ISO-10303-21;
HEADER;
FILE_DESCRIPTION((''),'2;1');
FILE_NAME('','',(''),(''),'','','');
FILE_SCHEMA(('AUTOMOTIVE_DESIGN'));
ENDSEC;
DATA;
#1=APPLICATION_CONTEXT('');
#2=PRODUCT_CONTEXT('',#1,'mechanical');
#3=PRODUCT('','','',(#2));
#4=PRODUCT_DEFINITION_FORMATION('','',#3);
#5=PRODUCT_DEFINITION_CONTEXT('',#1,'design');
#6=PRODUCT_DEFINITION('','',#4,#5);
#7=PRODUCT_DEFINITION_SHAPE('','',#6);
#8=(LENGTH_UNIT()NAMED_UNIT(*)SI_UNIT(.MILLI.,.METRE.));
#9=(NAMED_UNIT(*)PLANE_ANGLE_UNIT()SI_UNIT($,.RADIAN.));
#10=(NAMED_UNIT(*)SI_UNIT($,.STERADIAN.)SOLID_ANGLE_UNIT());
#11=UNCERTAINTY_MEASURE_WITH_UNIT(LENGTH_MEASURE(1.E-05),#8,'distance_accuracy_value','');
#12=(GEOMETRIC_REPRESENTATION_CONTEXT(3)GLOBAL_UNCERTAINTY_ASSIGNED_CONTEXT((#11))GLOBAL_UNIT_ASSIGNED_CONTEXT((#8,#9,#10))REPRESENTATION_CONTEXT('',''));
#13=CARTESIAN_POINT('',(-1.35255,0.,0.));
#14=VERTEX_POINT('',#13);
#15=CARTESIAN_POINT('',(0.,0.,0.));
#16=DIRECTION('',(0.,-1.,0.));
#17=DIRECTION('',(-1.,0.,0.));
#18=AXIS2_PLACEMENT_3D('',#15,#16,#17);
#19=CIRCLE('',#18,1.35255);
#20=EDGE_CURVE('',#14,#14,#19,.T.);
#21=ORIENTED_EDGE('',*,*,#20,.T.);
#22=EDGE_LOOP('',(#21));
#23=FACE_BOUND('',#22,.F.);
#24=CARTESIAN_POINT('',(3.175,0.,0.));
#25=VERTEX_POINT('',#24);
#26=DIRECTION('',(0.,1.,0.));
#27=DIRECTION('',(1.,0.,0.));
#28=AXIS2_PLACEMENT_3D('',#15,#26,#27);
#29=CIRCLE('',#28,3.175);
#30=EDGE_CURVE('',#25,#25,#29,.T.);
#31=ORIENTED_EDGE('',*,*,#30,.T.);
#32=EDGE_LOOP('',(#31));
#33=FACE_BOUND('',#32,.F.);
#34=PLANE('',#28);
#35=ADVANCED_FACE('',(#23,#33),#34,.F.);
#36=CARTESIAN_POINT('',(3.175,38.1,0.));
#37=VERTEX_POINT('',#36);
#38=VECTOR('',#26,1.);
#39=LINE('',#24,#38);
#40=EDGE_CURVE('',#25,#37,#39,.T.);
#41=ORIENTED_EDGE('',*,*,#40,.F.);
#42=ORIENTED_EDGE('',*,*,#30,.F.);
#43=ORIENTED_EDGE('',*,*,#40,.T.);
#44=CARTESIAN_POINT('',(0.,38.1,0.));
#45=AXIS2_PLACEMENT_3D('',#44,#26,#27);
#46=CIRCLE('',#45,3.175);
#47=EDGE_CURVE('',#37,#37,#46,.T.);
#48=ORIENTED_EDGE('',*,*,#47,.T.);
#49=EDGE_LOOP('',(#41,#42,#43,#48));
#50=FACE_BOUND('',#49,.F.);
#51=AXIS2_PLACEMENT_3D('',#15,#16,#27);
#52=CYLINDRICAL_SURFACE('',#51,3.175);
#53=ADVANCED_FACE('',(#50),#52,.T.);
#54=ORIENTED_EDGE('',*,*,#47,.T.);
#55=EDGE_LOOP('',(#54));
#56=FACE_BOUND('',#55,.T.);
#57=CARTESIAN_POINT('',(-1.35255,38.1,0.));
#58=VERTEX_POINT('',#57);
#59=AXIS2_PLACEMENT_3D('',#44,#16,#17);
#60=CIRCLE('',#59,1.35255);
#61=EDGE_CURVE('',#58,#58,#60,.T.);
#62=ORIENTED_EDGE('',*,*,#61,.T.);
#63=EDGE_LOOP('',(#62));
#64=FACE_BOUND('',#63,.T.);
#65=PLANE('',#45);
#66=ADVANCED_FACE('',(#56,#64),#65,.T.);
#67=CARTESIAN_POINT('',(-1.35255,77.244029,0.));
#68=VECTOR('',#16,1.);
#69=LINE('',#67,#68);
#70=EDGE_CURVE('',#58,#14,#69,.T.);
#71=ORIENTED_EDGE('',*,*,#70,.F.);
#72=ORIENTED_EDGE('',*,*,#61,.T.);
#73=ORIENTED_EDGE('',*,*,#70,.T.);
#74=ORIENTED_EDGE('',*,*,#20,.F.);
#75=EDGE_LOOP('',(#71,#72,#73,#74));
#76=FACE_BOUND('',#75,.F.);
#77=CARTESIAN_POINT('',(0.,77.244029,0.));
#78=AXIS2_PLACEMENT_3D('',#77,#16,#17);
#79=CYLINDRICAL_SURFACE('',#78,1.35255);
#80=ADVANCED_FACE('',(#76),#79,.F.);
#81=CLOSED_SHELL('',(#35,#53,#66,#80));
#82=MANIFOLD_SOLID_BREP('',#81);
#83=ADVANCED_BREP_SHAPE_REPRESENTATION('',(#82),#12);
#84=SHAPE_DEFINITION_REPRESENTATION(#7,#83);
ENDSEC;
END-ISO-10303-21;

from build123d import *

# Parameters (mm, degrees)
SKETCH1_R                 = 3.175
BOSS_EXTRUDE1_DEPTH       = 38.1
TAP_DRILL_FOR_6_32_TAP1_D = 2.7051


with BuildPart() as part:
    # Sketch1 → Boss-Extrude1 (new body)
    with BuildSketch(Plane(origin=(0, 0, 0), x_dir=(1, 0, 0), z_dir=(0, 1, 0))):
        Circle(SKETCH1_R)
    extrude(amount=BOSS_EXTRUDE1_DEPTH)

    # Tap Drill for #6-32 Tap1 (through all)
    with Locations(Plane(origin=(0, 38.1, 0), x_dir=(1, 0, 0), z_dir=(0, 1, 0))):
        with Locations((0, 0)):
            Hole(TAP_DRILL_FOR_6_32_TAP1_D / 2)


solid = part.part
